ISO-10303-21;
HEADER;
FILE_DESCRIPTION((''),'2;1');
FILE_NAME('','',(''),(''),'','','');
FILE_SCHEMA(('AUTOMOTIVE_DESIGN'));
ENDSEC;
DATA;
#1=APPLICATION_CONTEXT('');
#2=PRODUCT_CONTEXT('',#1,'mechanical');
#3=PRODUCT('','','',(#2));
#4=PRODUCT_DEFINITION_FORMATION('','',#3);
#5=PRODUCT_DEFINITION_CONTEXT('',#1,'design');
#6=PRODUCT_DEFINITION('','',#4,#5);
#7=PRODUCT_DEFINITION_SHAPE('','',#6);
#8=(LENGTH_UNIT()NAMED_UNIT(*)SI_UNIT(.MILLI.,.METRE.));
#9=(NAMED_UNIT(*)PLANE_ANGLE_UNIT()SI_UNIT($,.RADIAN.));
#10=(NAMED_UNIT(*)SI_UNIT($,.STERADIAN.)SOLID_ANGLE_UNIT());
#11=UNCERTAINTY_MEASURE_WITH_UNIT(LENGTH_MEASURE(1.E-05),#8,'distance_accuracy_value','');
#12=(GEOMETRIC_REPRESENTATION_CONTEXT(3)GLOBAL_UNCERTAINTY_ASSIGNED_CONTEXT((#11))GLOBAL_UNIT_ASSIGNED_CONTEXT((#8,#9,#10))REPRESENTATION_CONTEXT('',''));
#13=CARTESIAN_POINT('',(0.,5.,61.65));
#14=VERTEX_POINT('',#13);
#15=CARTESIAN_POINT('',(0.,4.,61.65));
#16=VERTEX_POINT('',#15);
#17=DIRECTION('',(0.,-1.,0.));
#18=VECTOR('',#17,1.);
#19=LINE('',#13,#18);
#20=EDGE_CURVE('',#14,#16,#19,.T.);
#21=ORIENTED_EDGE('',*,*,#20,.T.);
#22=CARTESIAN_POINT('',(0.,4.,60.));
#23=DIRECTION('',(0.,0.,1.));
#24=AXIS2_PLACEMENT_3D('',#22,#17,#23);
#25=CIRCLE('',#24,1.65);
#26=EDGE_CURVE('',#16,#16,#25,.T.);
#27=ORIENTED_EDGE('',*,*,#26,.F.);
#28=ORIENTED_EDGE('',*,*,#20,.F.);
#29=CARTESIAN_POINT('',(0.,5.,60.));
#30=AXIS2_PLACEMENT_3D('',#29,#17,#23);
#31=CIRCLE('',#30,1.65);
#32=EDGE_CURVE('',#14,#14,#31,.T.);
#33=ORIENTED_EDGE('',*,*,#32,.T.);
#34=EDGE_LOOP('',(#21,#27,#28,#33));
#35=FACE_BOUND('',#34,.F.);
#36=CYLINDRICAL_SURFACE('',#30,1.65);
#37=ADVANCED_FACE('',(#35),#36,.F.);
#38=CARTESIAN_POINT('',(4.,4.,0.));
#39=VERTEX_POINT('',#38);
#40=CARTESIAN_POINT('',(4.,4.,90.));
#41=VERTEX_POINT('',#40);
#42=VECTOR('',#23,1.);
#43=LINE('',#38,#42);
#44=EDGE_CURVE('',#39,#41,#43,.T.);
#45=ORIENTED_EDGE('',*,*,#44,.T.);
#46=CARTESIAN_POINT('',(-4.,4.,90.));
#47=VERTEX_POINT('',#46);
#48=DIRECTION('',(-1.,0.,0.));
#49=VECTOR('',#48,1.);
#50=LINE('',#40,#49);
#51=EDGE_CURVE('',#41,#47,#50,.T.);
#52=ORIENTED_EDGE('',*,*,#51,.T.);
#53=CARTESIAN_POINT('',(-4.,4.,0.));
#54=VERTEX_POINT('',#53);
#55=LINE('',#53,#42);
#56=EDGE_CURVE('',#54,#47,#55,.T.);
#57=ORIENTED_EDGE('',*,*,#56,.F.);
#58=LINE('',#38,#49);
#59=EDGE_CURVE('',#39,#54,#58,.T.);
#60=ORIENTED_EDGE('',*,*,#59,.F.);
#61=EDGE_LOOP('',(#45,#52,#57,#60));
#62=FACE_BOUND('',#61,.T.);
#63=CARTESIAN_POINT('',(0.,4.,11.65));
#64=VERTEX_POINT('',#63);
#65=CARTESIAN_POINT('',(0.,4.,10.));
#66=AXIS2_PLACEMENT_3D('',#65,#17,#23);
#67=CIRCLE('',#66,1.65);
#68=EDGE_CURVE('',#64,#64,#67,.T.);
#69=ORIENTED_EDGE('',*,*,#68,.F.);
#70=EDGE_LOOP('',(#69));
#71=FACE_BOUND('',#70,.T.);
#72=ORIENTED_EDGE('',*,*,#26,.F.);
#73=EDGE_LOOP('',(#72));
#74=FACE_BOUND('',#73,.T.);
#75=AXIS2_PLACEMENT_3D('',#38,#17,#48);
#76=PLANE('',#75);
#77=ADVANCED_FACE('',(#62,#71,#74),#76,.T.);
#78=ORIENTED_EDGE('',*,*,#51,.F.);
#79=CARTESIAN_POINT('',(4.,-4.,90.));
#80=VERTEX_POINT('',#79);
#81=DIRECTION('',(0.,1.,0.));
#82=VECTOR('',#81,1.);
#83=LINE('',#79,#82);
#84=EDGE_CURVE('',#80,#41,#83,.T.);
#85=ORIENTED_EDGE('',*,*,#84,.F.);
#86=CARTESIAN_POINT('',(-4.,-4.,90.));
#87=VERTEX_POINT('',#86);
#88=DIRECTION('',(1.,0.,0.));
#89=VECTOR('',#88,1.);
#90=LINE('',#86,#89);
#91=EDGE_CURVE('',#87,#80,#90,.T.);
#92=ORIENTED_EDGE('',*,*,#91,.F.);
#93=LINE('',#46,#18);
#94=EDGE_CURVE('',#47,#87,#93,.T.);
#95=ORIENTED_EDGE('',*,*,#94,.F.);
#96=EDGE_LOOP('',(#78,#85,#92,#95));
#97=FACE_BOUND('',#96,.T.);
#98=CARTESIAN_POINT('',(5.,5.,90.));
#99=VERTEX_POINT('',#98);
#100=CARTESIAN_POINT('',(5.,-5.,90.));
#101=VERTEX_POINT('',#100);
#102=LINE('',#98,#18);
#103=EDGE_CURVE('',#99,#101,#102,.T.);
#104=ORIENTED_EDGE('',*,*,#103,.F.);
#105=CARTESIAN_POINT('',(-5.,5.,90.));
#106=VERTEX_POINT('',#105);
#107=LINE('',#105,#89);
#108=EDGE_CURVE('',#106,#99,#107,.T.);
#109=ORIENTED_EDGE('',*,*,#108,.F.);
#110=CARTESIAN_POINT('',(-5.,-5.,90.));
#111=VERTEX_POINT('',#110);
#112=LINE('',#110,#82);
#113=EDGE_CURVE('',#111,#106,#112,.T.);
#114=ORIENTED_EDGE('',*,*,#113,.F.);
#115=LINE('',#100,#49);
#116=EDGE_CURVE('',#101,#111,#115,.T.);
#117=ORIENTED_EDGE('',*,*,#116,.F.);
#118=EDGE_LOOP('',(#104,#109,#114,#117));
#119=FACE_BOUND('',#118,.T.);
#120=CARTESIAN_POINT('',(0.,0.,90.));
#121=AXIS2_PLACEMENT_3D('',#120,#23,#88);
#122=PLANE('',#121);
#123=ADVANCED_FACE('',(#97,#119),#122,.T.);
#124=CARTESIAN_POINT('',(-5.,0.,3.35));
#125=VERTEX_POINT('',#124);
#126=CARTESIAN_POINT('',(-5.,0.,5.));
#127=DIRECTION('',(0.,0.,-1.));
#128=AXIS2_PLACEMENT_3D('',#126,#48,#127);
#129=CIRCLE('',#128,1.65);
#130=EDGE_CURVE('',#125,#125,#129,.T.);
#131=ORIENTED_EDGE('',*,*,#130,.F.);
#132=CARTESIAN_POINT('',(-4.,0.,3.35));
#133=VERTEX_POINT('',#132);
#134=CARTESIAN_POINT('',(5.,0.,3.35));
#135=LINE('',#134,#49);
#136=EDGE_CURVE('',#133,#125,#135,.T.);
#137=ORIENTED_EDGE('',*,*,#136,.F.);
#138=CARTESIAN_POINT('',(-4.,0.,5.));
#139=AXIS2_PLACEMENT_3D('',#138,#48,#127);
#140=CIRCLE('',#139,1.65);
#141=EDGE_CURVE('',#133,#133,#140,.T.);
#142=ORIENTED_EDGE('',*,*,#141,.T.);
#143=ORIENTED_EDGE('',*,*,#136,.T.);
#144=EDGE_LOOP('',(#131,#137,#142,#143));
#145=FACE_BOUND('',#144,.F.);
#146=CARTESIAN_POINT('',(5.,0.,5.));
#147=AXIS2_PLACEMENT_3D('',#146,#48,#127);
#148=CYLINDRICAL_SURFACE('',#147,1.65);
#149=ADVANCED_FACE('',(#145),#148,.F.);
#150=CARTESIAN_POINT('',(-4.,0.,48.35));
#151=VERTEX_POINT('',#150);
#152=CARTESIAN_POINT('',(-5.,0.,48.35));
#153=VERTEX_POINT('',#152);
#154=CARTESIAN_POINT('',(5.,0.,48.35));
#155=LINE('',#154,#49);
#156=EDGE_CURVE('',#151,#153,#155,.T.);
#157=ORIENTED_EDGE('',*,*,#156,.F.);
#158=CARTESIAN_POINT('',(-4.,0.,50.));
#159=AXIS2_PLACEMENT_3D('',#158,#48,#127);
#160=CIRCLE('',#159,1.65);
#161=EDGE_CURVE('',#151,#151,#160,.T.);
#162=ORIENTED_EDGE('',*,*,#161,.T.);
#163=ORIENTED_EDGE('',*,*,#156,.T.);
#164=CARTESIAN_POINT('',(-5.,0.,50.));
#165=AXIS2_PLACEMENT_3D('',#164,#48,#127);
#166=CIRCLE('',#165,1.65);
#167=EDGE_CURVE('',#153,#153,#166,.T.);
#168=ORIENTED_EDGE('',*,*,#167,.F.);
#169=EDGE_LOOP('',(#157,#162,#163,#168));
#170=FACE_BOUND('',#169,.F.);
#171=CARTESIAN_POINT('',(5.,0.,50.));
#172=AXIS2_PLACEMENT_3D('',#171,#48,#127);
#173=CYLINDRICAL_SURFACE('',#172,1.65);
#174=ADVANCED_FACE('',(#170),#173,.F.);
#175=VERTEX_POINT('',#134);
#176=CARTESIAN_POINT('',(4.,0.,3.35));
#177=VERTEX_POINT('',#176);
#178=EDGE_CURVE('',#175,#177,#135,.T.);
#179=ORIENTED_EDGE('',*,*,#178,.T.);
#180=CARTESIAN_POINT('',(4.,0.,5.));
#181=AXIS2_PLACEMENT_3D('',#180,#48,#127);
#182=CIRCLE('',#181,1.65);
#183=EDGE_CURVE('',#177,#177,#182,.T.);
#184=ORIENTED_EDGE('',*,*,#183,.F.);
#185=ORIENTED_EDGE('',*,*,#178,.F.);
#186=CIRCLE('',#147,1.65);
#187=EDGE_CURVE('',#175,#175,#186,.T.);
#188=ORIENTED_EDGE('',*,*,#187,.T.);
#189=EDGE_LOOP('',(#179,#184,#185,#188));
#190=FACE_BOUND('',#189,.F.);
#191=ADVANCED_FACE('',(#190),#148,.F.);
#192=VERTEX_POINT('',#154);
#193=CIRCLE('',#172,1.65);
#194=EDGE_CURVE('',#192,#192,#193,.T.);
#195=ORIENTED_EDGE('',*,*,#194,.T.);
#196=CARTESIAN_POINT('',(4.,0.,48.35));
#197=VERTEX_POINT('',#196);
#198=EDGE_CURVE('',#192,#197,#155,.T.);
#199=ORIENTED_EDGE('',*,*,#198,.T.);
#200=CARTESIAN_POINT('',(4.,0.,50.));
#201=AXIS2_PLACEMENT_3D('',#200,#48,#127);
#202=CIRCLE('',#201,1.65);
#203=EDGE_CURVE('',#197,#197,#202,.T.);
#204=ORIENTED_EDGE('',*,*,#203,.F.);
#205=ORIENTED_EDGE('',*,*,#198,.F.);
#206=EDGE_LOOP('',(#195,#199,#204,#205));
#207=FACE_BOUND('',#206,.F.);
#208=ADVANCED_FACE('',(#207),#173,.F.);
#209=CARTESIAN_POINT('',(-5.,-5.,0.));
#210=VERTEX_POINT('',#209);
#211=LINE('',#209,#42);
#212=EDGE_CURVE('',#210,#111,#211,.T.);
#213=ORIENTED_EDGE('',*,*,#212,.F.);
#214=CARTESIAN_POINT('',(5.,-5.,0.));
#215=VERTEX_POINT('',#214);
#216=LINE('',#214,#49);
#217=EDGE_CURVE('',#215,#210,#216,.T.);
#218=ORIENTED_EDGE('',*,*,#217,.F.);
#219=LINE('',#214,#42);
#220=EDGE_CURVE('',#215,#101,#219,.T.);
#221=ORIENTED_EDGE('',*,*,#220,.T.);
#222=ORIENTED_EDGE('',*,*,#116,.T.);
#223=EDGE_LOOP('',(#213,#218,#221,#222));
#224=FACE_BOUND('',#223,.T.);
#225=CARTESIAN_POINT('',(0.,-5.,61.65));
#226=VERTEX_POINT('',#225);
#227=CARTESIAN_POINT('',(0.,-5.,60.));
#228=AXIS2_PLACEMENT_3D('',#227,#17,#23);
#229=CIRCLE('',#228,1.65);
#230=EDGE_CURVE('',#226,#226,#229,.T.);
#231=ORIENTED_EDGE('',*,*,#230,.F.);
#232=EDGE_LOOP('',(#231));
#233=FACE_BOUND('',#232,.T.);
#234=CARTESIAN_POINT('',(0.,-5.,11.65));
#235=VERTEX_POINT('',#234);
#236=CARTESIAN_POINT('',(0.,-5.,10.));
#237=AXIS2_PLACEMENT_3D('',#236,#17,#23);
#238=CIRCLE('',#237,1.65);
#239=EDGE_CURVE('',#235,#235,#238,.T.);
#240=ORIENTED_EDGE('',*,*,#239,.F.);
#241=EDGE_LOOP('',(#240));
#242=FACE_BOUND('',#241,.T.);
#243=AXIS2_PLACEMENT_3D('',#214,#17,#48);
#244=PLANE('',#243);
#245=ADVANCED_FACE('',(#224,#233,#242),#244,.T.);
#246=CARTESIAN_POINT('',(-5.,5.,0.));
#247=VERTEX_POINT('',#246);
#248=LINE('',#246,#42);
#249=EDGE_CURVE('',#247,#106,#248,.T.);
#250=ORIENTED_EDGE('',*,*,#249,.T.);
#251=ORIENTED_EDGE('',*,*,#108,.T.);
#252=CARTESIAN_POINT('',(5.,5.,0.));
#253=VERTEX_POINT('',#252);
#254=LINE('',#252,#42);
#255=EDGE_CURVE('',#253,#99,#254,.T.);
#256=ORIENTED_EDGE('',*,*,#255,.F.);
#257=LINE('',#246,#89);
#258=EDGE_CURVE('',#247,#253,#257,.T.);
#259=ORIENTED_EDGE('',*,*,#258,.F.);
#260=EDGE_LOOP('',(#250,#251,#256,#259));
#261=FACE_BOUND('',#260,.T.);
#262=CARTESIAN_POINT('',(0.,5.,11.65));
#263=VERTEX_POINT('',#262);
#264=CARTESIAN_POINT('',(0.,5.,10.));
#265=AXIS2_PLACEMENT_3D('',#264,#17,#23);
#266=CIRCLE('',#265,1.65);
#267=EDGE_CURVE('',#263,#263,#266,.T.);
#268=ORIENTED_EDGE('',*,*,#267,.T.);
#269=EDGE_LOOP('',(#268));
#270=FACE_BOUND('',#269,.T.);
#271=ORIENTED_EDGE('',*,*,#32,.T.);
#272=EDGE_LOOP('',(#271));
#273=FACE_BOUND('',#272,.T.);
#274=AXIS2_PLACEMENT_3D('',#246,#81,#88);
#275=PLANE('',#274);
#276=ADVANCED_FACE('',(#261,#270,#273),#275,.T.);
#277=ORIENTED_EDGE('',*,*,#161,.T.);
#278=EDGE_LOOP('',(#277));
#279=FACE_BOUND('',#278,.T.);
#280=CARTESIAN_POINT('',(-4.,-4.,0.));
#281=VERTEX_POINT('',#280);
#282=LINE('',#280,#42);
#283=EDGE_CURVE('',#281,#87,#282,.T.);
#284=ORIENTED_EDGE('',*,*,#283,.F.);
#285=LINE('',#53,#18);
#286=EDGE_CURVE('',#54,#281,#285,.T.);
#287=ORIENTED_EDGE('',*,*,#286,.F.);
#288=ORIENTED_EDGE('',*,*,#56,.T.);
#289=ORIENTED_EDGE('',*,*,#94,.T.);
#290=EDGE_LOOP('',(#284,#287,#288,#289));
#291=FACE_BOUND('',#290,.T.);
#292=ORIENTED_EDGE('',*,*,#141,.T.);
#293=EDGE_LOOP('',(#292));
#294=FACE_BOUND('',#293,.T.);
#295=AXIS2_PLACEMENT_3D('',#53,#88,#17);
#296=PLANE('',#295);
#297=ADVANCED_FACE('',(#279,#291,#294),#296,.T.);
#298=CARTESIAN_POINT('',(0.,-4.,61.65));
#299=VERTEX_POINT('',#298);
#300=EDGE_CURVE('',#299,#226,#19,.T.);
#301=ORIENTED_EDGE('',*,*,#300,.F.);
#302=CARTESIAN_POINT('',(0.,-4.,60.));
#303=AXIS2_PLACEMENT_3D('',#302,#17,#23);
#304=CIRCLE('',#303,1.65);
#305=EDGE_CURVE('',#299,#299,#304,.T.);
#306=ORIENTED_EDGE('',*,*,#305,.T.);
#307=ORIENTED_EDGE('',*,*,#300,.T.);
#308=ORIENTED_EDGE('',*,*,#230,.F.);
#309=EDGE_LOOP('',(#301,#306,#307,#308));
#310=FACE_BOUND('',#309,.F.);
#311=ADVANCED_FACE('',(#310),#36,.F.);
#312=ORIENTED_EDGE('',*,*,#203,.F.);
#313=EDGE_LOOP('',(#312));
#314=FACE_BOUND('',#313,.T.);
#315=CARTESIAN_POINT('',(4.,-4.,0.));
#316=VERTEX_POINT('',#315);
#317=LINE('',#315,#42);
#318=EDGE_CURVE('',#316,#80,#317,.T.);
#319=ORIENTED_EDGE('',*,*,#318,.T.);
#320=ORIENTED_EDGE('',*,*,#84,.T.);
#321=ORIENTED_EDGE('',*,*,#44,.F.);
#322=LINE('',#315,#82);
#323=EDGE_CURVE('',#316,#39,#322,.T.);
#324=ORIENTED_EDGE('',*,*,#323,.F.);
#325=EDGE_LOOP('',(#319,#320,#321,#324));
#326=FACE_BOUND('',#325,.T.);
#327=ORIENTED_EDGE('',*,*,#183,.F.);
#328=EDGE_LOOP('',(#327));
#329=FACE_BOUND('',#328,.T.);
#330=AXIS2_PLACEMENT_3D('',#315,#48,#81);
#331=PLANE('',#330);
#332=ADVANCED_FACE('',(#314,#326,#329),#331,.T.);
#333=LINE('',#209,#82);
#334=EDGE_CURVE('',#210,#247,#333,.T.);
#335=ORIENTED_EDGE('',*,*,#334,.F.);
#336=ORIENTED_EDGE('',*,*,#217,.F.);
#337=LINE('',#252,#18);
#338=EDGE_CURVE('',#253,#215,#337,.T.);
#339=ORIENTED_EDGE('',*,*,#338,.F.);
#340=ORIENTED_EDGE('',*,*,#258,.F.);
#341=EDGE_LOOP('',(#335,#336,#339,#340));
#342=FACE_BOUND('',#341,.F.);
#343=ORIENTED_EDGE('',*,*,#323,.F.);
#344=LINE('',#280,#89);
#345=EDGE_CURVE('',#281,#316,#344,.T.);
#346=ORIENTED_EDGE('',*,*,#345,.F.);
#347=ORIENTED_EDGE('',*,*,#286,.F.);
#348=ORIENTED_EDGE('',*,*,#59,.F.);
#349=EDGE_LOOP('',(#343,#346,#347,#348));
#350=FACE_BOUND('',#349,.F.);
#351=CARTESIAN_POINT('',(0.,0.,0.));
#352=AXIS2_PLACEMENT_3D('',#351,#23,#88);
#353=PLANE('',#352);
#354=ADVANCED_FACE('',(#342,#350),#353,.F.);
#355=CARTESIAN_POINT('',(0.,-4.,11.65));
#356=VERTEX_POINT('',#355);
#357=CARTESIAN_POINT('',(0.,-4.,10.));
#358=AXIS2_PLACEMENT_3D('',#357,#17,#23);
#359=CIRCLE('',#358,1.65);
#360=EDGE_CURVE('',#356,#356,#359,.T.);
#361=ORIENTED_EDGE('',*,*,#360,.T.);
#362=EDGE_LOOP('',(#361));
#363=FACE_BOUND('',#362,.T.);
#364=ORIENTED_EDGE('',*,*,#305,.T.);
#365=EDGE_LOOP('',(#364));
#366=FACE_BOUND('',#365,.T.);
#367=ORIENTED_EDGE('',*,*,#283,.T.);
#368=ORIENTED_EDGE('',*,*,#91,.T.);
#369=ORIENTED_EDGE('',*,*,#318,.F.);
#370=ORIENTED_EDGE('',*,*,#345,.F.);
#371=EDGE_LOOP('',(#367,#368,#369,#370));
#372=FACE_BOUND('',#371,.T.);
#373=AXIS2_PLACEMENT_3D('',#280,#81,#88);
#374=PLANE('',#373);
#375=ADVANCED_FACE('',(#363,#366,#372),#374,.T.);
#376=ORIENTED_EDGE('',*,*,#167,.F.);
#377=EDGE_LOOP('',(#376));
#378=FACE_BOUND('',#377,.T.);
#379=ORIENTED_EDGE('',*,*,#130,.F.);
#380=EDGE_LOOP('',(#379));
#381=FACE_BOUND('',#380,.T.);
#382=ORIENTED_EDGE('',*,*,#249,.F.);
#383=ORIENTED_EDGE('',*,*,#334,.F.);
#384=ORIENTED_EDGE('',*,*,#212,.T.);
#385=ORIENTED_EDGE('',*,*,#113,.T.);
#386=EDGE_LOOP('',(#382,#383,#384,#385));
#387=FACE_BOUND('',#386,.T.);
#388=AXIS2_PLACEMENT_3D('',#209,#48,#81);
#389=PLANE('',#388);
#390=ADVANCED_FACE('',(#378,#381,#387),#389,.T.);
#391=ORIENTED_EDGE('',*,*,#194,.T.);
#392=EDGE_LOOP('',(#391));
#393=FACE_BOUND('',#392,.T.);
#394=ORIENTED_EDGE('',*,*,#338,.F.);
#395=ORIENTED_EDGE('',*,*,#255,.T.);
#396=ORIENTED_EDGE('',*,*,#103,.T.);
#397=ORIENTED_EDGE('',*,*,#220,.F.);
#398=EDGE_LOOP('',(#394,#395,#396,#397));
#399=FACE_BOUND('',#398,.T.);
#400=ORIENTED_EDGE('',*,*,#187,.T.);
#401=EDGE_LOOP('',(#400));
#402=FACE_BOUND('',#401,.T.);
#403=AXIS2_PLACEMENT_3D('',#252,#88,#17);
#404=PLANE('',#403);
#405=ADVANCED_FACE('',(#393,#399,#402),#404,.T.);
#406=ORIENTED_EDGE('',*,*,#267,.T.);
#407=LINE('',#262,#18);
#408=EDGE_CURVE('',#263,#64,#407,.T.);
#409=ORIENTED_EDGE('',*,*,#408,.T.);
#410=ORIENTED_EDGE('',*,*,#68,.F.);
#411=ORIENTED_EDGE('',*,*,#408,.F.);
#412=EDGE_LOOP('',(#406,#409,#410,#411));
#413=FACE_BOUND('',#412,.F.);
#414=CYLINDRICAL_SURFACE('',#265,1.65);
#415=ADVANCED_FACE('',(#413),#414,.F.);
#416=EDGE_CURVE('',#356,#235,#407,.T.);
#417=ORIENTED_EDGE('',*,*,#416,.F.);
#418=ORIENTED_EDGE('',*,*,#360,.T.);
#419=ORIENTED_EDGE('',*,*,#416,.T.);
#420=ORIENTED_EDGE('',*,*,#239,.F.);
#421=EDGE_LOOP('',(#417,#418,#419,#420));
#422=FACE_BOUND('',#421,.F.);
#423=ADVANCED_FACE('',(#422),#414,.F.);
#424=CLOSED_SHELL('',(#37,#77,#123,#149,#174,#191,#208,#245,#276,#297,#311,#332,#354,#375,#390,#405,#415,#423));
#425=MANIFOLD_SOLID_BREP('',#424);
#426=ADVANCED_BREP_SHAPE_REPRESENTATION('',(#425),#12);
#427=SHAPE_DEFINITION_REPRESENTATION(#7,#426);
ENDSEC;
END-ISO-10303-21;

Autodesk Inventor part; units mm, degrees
ref_plane "YZ Plane" through (0, 0, 0) normal (1, 0, 0) x (0, 1, 0)
ref_plane "XZ Plane" through (0, 0, 0) normal (0, 1, 0) x (-1, 0, 0)
ref_plane "XY Plane" through (0, 0, 0) normal (0, 0, 1) x (1, 0, 0)
sketch "スケッチ1" plane through (0, 0, 0) normal (0, 0, 1) x (1, 0, 0)
  line L0 (5, -5) -> (-5, -5)
  line L1 (-5, -5) -> (-5, 5)
  line L2 (-5, 5) -> (5, 5)
  line L3 (5, 5) -> (5, -5)
  line L4 (5, -5) -> (-5, 5) construction
  line L5 (-5, -5) -> (5, 5) construction
  line L6 (4, 4) -> (-4, 4)
  line L7 (-4, 4) -> (-4, -4)
  line L8 (-4, -4) -> (4, -4)
  line L9 (4, -4) -> (4, 4)
  point P0 (0, 0)
  dimension "d0" = 10
  dimension "d1" = 10
  dimension "d2" = 1
extrude "押し出し1" add sketch "スケッチ1" along normal blind 90
sketch "スケッチ2" plane through (5, -5, 0) normal (1, 0, 0) x (0, 0, -1)
  line L0 (0, 0) -> (0, 10) projected
  line L1 (0, 10) -> (-90, 10) projected
  line L2 (-90, 0) -> (-90, 10) projected
  line L3 (0, 0) -> (-90, 0) projected
  line L4 (-90, 5) -> (0, 5)
  point P0 (-50, 5)
  point P1 (-5, 5)
  dimension "d5" = 45
  dimension "d6" = 5
hole "穴1" at (5, 0, 50) at (5, 0, 5) direction (-1, 0, 0) diameter 3.3 end through all
sketch "スケッチ3" plane through (-5, 5, 0) normal (0, 1, 0) x (1, 0, 0)
  line L0 (10, 0) -> (0, 0) projected
  line L1 (0, 0) -> (0, -90) projected
  line L2 (10, -90) -> (0, -90) projected
  line L3 (10, 0) -> (10, -90) projected
  line L4 (5, -90) -> (5, 0)
  point P0 (5, -60)
  point P1 (5, -10)
  dimension "d14" = 50
  dimension "d15" = 10
hole "穴2" at (0, 5, 60) at (0, 5, 10) direction (0, -1, 0) diameter 3.3 end through all
properties part number "kaku_1010_120"
